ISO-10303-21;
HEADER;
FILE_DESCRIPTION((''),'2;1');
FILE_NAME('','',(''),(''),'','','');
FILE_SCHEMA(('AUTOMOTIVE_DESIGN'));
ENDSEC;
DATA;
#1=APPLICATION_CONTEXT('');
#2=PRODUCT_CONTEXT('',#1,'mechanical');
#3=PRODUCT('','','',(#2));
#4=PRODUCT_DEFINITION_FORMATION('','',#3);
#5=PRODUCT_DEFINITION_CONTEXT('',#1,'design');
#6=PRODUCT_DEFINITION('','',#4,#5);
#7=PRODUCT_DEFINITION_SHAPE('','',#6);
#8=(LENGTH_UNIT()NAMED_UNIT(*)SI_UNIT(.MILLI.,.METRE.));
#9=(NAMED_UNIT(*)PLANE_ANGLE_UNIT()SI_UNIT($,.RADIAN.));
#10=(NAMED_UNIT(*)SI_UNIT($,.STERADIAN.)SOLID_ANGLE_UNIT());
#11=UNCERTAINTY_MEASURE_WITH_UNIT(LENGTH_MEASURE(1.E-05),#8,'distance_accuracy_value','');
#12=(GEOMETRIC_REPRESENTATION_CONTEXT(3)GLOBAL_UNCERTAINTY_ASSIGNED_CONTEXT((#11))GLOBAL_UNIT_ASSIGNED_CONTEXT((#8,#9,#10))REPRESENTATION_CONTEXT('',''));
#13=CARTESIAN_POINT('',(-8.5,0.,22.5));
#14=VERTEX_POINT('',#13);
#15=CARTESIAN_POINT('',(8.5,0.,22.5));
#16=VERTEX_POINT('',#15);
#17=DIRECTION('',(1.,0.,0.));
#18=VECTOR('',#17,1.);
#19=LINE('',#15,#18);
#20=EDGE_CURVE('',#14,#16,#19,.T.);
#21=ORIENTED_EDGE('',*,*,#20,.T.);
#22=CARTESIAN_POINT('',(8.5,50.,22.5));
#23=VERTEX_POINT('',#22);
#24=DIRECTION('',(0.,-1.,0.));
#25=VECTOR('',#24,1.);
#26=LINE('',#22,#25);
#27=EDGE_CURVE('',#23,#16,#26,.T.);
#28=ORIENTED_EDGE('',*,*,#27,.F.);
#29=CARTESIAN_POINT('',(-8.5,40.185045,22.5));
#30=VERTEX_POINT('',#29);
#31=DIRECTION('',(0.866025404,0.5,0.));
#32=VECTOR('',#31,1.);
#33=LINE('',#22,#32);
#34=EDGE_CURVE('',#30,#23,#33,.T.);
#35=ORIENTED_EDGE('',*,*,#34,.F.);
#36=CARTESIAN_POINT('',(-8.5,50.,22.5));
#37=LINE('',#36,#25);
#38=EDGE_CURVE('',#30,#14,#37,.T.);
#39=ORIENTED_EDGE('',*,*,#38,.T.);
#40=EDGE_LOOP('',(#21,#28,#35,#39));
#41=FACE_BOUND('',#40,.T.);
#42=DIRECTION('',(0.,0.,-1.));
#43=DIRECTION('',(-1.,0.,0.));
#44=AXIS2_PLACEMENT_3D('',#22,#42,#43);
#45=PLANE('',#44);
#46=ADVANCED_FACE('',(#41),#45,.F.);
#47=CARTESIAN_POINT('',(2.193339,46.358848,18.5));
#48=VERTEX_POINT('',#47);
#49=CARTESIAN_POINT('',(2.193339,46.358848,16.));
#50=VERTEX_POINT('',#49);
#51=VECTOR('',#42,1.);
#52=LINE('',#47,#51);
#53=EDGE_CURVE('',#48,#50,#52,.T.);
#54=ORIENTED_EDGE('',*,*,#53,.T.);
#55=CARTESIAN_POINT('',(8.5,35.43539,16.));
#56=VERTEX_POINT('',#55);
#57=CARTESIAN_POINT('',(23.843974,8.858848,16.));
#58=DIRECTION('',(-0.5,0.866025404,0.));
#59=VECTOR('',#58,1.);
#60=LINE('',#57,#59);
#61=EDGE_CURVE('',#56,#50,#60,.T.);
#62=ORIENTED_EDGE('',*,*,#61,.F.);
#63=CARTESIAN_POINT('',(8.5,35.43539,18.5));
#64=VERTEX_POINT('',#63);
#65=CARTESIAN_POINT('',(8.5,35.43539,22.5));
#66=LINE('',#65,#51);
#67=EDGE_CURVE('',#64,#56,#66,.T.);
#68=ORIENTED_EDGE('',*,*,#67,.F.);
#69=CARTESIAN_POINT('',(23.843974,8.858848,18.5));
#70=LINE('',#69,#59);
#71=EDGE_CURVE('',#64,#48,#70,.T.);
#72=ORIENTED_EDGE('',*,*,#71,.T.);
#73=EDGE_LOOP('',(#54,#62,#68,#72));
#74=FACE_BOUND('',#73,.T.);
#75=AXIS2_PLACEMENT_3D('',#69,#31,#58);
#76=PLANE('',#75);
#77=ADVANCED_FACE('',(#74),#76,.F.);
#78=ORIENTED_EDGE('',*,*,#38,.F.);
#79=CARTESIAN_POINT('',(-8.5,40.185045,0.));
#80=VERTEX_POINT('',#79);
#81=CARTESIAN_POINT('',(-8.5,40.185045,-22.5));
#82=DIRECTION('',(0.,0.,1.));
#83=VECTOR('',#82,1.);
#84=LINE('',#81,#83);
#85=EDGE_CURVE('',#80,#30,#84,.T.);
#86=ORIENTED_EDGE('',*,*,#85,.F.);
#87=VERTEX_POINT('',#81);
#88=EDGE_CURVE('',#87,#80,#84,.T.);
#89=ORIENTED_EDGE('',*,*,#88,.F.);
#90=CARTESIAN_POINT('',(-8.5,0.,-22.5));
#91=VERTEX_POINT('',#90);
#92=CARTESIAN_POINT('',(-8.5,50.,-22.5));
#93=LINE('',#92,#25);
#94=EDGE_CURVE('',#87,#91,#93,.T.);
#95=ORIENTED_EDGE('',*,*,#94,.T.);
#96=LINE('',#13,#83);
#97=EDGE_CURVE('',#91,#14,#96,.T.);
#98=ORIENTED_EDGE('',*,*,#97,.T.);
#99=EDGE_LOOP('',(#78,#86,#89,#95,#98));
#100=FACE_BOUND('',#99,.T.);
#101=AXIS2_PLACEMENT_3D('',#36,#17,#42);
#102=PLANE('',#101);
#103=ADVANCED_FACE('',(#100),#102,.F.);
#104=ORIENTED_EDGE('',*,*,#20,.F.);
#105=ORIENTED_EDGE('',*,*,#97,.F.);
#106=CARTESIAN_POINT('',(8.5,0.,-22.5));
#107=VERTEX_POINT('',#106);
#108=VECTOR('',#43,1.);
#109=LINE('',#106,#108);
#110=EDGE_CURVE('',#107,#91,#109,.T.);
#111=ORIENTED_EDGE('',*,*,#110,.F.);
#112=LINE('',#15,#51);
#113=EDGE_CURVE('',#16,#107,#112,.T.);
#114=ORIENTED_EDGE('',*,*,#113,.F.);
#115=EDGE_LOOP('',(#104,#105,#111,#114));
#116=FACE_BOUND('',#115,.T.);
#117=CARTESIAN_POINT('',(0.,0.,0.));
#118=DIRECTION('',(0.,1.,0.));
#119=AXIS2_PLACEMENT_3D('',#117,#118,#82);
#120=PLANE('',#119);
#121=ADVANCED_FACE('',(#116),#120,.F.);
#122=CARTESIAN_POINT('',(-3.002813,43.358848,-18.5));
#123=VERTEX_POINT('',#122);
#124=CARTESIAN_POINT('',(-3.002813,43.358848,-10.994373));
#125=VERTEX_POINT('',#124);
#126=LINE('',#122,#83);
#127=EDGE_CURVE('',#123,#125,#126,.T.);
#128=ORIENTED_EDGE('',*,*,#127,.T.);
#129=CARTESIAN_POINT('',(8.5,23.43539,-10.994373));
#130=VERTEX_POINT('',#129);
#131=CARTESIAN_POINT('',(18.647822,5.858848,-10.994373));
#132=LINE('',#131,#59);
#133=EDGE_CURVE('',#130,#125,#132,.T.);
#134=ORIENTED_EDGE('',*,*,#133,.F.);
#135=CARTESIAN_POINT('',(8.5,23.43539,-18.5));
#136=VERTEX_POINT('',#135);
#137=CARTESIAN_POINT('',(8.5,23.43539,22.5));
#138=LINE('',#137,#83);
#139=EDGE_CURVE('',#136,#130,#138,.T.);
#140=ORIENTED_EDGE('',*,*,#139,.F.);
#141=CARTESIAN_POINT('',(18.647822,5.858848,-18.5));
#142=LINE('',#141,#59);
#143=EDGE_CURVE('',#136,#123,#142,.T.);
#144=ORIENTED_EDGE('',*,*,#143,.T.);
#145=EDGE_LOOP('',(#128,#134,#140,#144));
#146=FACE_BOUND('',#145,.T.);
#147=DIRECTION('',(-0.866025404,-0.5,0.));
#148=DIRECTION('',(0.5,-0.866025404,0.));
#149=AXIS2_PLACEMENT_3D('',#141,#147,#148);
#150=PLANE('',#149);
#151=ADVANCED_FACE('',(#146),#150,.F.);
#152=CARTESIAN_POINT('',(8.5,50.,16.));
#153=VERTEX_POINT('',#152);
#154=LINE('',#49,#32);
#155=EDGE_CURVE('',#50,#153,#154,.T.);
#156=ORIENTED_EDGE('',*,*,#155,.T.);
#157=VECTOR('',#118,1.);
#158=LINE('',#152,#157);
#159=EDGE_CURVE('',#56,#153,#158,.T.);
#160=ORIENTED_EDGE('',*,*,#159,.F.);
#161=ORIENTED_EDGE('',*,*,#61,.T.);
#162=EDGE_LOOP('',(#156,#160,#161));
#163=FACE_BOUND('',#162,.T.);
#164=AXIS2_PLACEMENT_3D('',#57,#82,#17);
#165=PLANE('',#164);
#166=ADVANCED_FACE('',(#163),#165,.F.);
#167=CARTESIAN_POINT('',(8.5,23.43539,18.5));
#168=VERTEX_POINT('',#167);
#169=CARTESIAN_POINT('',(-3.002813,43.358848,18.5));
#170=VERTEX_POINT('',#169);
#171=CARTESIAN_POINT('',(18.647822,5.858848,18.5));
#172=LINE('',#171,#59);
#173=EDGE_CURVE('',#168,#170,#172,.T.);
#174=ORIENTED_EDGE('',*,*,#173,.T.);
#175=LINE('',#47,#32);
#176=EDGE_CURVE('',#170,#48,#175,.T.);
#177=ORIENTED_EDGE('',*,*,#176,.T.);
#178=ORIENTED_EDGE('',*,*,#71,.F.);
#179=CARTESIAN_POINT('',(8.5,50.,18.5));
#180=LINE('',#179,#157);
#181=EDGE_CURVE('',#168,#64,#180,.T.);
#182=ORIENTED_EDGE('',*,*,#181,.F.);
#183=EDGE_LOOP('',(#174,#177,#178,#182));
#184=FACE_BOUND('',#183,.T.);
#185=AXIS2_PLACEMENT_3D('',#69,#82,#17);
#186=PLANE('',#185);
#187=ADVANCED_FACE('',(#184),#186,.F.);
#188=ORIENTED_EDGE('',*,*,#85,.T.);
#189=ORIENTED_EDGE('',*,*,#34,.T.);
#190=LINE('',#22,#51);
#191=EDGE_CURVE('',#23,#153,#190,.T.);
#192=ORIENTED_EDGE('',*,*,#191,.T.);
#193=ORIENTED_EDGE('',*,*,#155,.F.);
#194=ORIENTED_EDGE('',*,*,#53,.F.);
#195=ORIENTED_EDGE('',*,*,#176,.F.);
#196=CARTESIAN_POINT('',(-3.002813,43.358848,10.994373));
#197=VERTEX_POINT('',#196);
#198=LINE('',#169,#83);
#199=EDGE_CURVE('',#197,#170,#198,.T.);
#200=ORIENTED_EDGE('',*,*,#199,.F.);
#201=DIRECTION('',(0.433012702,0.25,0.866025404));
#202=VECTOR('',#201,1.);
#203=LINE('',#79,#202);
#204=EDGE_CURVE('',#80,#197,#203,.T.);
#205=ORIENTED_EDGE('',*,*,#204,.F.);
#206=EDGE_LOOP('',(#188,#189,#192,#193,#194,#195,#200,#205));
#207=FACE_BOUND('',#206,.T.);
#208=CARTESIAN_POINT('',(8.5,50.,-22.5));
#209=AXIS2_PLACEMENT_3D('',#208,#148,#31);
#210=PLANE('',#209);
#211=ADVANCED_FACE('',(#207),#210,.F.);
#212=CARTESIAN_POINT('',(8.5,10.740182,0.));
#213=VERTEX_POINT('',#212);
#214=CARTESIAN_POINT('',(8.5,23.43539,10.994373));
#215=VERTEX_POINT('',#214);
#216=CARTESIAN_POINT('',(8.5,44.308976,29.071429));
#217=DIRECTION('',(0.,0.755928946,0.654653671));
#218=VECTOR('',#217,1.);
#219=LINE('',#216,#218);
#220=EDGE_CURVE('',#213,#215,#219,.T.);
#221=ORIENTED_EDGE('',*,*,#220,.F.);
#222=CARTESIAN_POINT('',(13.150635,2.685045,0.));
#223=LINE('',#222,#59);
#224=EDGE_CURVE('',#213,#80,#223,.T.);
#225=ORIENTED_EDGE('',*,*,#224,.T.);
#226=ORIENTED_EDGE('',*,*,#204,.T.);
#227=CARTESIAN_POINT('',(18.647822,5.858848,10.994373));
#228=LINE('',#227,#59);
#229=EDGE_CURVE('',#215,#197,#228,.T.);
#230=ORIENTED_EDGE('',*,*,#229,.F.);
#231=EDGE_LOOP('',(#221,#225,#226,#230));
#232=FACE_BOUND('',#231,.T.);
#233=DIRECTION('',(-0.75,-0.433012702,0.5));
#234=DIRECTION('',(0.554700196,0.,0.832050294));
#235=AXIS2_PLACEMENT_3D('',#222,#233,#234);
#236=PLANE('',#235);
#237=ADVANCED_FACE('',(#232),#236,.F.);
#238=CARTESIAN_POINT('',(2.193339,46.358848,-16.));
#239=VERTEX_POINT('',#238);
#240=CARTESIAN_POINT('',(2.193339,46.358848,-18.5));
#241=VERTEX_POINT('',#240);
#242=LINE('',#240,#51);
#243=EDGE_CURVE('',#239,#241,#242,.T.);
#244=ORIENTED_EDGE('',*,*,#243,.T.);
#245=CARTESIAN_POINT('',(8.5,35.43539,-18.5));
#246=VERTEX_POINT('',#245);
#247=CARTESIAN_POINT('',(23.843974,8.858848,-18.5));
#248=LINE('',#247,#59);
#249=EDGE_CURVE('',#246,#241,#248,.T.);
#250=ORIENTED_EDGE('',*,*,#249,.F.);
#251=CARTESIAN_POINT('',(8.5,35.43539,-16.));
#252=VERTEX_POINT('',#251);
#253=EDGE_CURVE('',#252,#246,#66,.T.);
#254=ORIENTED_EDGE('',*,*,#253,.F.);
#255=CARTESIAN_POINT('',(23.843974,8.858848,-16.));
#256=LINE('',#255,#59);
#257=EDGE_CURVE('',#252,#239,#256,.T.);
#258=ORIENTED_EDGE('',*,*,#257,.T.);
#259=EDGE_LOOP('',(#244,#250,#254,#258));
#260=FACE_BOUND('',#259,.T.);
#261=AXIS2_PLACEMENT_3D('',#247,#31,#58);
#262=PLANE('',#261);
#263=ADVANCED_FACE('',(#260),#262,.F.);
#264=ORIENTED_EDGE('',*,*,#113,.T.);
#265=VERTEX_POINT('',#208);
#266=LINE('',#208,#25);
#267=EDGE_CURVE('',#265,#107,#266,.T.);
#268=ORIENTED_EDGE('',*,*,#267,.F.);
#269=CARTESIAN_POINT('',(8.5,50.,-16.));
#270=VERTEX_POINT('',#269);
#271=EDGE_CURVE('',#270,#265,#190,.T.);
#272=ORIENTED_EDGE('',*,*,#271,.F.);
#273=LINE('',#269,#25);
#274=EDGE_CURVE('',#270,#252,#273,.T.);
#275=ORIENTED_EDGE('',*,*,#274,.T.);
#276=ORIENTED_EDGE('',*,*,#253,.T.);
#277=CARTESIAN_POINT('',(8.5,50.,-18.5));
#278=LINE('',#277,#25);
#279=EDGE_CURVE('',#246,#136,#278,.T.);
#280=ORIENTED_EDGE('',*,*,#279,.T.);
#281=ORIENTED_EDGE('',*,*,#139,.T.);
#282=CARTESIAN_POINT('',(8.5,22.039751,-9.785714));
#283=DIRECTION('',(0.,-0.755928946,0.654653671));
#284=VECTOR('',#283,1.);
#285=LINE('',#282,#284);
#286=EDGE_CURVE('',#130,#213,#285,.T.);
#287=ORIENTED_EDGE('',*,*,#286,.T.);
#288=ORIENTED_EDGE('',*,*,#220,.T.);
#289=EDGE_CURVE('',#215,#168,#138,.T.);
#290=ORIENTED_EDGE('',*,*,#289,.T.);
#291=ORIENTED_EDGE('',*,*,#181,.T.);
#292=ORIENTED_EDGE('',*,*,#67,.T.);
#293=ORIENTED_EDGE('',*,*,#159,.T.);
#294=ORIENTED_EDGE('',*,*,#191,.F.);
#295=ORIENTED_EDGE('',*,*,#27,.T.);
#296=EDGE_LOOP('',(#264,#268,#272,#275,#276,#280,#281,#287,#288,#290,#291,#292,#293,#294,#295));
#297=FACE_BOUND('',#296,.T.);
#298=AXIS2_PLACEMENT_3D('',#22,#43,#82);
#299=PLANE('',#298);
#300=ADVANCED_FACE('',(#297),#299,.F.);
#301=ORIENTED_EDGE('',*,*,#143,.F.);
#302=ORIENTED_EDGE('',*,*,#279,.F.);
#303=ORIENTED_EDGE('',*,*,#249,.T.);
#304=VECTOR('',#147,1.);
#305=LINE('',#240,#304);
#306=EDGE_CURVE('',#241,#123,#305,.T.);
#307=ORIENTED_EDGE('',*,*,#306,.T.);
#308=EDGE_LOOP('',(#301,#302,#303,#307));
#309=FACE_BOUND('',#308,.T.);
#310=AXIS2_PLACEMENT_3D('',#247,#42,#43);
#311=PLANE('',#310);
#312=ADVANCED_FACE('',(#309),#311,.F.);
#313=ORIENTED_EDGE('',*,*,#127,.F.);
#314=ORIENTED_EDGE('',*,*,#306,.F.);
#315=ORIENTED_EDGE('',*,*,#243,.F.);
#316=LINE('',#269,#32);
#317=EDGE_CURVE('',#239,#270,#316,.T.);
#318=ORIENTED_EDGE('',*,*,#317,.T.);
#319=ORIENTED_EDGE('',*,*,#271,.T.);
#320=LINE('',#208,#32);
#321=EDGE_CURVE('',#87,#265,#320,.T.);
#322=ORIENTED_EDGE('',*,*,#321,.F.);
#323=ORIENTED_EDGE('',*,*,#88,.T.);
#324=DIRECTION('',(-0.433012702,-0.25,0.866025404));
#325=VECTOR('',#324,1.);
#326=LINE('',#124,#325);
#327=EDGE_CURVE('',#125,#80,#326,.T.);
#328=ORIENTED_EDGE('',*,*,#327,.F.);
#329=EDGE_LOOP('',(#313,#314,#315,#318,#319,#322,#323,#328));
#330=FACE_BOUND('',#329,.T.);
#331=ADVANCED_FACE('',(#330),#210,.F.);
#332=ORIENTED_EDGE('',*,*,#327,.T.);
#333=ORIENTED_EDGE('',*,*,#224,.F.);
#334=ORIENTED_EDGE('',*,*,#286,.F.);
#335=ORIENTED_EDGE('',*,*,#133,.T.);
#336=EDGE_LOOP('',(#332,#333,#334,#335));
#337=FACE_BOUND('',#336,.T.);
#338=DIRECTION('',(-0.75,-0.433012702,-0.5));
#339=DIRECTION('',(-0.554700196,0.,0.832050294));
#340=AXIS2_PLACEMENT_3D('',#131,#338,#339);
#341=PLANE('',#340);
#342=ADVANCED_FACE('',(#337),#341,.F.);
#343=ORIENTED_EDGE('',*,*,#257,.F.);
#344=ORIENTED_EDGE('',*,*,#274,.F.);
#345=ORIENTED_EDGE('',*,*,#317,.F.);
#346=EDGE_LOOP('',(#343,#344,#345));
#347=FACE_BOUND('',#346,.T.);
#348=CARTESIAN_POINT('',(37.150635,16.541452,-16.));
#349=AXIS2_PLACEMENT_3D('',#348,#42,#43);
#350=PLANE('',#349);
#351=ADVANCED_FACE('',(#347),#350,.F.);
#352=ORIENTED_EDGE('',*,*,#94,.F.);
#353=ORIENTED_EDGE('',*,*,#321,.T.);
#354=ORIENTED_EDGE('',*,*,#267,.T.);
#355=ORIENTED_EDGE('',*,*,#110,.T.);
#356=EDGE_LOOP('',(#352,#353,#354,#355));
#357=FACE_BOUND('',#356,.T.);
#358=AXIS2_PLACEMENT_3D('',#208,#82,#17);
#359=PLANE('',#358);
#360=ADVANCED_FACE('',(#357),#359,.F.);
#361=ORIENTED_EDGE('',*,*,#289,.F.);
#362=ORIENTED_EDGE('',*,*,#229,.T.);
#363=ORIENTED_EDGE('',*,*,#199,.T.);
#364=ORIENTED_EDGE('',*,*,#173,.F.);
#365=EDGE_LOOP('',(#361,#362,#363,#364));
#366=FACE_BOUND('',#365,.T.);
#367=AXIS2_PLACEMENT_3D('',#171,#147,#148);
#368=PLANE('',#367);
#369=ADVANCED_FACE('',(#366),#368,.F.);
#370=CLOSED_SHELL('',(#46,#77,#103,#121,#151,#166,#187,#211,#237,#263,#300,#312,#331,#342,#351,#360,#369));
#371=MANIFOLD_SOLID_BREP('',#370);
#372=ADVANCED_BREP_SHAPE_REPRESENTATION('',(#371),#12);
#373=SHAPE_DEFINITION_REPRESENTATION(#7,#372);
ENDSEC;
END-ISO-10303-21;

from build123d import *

# Parameters (mm, degrees)
SKETCH1_W           = 17
SKETCH1_H           = 45
BOSS_EXTRUDE1_DEPTH = 50
CUT_EXTRUDE1_DEPTH  = 68.803023531
CUT_EXTRUDE3_DEPTH  = 50.350151975


with BuildPart() as part:
    # Sketch1 → Boss-Extrude1 (new body)
    with BuildSketch(Plane(origin=(0, 0, 0), x_dir=(1, 0, 0), z_dir=(0, 1, 0))):
        Rectangle(SKETCH1_W, SKETCH1_H)
    extrude(amount=BOSS_EXTRUDE1_DEPTH)

    # Sketch2 → Cut-Extrude1 (cut, through all)
    with BuildSketch(Plane.XY.offset(22.5)):
        Polygon((8.5, 50), (-8.5, 40.185045424), (-8.5, 50), align=None)
    extrude(amount=-CUT_EXTRUDE1_DEPTH, mode=Mode.SUBTRACT)

    # Sketch3 → Cut-Extrude3 (cut, through all)
    with BuildSketch(Plane(origin=(-19.525635095, 33.819392034, 0), x_dir=(0.8660254037844417, 0.4999999999999949, 0), z_dir=(-0.4999999999999949, 0.8660254037844417, 0))):
        Polygon((25.078911087, -18.5), (19.078911087, -18.5), (19.078911087, -10.994373166), (12.73130678, 0), (19.078911087, 10.994373166), (19.078911087, 18.5), (25.078911087, 18.5), (25.078911087, 16), (40.444119701, 16), (49.681724008, 0), (40.444119701, -16), (25.078911087, -16), align=None)
    extrude(amount=-CUT_EXTRUDE3_DEPTH, mode=Mode.SUBTRACT)


solid = part.part
